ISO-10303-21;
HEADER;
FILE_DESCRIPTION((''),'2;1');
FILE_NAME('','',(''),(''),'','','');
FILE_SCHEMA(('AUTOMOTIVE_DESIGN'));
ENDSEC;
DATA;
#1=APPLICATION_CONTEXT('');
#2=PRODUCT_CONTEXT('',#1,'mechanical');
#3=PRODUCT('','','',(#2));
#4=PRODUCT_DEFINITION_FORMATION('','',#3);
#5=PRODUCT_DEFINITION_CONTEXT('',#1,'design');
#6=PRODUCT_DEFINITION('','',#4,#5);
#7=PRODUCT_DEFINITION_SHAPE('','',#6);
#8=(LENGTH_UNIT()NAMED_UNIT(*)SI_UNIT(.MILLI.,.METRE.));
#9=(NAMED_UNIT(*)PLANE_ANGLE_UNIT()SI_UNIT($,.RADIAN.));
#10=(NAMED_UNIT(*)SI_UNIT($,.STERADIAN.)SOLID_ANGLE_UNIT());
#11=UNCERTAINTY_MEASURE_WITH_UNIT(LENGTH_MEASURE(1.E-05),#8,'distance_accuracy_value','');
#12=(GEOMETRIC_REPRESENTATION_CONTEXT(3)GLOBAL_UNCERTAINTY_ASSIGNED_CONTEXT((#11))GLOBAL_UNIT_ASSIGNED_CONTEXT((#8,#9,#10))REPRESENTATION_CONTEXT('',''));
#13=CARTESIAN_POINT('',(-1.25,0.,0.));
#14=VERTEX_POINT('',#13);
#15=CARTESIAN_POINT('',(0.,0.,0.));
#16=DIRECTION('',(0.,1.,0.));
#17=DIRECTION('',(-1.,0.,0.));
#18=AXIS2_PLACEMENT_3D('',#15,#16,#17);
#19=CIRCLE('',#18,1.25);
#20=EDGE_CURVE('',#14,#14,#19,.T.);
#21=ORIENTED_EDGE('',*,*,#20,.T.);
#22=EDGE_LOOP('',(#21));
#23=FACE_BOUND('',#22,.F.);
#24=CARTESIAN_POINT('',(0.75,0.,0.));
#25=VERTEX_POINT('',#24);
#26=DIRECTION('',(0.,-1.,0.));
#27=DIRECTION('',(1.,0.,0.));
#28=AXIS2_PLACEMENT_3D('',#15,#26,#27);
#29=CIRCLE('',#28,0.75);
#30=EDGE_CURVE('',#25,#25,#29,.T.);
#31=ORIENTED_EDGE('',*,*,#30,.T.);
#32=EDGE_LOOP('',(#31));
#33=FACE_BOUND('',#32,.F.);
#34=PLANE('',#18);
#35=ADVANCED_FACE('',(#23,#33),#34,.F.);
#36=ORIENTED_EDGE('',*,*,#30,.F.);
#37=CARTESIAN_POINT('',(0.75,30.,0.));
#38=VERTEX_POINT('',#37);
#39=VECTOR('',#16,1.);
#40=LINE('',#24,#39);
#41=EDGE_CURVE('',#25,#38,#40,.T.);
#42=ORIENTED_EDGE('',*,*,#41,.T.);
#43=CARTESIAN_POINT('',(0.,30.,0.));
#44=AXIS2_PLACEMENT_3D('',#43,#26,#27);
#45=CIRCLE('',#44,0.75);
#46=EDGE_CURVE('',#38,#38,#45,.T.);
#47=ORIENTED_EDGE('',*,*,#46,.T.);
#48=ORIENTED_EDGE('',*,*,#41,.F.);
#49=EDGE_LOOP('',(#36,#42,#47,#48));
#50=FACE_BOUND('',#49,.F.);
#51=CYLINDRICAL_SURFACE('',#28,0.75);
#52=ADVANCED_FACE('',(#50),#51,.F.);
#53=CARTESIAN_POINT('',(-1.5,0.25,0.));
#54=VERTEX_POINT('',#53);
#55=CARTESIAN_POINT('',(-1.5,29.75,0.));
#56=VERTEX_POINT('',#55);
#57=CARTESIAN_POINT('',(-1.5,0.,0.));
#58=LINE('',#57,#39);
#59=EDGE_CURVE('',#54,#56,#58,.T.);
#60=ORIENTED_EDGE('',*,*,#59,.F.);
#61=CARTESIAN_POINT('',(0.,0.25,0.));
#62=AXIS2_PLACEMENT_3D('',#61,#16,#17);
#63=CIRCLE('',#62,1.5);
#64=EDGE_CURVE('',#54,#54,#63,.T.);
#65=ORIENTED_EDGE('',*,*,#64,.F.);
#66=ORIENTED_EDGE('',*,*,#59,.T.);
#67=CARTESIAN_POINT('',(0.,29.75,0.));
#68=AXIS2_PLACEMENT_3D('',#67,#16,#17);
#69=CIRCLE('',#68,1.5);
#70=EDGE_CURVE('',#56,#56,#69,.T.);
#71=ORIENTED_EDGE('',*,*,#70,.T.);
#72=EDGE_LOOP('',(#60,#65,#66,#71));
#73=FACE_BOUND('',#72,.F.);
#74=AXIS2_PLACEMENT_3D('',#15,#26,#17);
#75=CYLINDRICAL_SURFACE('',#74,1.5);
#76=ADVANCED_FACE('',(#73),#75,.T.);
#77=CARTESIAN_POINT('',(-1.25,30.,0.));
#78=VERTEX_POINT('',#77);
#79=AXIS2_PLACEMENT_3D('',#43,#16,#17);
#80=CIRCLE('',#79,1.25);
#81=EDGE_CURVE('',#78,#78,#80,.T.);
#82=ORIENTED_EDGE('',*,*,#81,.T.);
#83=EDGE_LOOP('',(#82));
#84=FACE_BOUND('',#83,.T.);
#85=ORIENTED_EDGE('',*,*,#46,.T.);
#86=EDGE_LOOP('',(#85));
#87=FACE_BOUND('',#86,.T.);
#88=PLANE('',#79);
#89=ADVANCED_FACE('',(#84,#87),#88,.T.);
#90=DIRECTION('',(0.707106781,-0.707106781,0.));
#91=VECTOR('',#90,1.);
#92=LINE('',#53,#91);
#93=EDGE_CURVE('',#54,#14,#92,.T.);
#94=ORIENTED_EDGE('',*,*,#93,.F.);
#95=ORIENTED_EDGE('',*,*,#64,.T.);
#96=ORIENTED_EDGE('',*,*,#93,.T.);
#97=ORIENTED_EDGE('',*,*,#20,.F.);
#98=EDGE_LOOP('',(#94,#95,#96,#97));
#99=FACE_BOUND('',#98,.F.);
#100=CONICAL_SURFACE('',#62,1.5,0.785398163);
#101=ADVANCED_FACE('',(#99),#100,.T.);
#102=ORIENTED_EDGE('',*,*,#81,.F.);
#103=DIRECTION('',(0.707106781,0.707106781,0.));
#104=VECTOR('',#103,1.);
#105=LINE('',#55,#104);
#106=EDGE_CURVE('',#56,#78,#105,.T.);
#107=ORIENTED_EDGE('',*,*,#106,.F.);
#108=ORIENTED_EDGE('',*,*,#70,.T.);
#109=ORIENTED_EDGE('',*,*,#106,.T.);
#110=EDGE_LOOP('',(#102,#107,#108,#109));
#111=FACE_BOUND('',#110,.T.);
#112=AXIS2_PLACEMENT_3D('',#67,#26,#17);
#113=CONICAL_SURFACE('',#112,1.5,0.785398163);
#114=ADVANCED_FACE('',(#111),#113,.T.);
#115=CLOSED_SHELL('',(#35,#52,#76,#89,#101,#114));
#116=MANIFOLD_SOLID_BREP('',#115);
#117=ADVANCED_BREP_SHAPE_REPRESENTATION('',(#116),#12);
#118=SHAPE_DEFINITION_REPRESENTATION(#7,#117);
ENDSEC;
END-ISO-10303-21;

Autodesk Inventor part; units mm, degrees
ref_plane "YZ Plane" through (0, 0, 0) normal (1, 0, 0) x (0, 1, 0)
ref_plane "XZ Plane" through (0, 0, 0) normal (0, 1, 0) x (-1, 0, 0)
ref_plane "XY Plane" through (0, 0, 0) normal (0, 0, 1) x (1, 0, 0)
sketch "Sketch1" plane through (0, 0, 0) normal (0, 1, 0) x (-1, 0, 0)
  circle A0 centre (0, 0) radius 1.5
  dimension "d0" = 3
extrude "Extrusion1" add sketch "Sketch1" along normal blind 30
chamfer "Chamfer1" distance 0.25 angle 45 2 edges at (1.5, 30, 0) (1.5, 0, 0)
sketch "Sketch2" plane through (0, 0, 0) normal (0, -1, 0) x (1, 0, 0)
  circle A0 centre (0, 0) radius 0.75
  dimension "d6" = 1.5
extrude "Extrusion2" cut sketch "Sketch2" against normal blind 30
properties part number "pin_3_30"
